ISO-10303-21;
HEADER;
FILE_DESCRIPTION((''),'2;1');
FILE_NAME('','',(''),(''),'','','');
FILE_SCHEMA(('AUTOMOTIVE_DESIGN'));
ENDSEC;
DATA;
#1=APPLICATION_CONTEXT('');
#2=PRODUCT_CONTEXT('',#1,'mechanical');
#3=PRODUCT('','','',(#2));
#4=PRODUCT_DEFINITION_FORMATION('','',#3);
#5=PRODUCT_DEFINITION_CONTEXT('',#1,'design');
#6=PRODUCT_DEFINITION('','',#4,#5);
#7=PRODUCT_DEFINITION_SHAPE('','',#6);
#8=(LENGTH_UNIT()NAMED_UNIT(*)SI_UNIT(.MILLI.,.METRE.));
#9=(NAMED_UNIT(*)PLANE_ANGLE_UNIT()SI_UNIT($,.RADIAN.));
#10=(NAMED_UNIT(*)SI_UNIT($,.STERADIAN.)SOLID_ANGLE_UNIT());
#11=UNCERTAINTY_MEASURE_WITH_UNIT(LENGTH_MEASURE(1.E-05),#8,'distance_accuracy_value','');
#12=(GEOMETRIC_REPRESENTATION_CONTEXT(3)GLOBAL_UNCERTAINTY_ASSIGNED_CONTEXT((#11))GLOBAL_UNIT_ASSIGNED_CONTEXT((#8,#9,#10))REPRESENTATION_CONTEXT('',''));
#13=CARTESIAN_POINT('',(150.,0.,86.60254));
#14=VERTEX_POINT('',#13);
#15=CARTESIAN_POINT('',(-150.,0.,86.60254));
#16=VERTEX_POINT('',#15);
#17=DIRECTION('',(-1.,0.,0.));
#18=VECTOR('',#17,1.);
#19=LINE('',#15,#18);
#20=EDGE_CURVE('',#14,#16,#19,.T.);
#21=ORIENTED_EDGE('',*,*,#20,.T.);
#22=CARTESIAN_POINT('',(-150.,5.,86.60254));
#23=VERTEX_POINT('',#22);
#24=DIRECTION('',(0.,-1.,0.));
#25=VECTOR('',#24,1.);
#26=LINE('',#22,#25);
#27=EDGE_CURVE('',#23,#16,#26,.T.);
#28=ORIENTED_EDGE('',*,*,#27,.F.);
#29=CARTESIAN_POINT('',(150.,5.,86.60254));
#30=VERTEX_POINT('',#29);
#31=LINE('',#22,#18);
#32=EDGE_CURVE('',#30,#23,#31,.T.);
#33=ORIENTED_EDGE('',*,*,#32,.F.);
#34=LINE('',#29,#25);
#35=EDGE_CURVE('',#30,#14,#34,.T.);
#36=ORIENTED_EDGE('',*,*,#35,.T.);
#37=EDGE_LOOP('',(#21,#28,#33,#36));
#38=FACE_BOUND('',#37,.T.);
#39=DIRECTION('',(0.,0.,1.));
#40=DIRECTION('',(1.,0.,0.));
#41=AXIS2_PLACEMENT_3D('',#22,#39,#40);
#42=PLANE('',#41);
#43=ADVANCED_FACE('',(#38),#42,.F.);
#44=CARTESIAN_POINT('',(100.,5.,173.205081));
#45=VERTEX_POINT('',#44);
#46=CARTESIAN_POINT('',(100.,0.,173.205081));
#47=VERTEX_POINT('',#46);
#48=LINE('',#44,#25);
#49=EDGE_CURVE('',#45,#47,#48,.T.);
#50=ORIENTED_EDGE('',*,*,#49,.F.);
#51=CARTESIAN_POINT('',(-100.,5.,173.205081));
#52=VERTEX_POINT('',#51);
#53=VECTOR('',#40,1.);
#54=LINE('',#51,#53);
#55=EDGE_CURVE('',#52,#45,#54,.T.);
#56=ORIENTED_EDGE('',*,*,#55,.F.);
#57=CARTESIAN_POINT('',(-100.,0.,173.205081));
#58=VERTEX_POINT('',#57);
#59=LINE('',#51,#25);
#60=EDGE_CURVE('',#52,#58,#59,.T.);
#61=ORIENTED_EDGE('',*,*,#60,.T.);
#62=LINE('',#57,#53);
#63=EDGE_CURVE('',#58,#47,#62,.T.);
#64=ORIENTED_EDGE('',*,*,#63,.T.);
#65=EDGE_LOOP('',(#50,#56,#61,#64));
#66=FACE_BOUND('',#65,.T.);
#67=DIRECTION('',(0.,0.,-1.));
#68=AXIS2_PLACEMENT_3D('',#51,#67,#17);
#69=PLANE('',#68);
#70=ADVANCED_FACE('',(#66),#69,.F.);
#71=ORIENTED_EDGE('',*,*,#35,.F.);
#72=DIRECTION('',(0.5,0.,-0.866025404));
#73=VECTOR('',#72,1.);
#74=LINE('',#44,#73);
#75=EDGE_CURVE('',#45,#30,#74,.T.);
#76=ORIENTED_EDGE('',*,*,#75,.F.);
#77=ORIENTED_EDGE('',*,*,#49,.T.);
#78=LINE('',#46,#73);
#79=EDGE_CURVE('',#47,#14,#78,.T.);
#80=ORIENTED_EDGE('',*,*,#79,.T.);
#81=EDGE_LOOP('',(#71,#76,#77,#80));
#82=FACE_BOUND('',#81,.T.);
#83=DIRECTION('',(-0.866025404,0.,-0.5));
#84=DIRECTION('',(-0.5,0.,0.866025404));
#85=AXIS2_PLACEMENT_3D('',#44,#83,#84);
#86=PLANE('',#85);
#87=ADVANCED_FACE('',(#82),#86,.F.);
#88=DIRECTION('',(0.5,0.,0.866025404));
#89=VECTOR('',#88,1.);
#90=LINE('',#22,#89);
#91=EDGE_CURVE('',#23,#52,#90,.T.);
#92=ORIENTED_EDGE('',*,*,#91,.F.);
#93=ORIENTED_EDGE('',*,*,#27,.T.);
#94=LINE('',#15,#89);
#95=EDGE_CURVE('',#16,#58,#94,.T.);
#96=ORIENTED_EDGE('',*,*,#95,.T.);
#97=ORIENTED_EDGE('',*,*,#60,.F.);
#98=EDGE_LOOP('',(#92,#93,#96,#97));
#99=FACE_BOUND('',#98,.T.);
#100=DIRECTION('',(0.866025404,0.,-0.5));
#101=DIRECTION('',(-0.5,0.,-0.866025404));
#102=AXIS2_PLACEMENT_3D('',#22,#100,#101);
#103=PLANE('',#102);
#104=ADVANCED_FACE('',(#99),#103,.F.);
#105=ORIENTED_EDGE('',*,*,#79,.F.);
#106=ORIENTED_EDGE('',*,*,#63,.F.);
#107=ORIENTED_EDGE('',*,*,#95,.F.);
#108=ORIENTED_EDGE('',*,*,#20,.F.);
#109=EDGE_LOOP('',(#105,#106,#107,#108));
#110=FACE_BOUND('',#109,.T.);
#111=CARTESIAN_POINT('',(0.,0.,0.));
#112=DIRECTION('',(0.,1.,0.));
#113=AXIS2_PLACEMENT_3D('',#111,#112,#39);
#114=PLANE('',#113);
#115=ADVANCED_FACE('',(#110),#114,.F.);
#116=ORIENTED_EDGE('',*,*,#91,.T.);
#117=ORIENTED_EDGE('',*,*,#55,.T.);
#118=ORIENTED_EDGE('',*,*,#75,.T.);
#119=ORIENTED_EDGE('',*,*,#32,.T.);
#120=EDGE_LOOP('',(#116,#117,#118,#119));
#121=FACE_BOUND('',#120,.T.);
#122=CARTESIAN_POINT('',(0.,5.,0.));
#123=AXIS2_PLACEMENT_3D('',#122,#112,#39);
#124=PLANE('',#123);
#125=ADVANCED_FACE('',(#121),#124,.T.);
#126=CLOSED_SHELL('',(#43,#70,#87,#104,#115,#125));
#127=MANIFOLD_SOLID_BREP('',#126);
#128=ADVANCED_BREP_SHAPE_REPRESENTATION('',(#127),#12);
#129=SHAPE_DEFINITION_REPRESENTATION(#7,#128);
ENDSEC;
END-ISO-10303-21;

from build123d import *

# Parameters (mm, degrees)
BOSS_EXTRUDE1_DEPTH = 5


with BuildPart() as part:
    # Sketch1 → Boss-Extrude1 (new body)
    with BuildSketch(Plane(origin=(0, 0, 0), x_dir=(1, 0, 0), z_dir=(0, 1, 0))):
        Polygon((-150, -86.602540378), (-100, -173.205080757), (100, -173.205080757), (150, -86.602540378), align=None)
    extrude(amount=BOSS_EXTRUDE1_DEPTH)


solid = part.part
